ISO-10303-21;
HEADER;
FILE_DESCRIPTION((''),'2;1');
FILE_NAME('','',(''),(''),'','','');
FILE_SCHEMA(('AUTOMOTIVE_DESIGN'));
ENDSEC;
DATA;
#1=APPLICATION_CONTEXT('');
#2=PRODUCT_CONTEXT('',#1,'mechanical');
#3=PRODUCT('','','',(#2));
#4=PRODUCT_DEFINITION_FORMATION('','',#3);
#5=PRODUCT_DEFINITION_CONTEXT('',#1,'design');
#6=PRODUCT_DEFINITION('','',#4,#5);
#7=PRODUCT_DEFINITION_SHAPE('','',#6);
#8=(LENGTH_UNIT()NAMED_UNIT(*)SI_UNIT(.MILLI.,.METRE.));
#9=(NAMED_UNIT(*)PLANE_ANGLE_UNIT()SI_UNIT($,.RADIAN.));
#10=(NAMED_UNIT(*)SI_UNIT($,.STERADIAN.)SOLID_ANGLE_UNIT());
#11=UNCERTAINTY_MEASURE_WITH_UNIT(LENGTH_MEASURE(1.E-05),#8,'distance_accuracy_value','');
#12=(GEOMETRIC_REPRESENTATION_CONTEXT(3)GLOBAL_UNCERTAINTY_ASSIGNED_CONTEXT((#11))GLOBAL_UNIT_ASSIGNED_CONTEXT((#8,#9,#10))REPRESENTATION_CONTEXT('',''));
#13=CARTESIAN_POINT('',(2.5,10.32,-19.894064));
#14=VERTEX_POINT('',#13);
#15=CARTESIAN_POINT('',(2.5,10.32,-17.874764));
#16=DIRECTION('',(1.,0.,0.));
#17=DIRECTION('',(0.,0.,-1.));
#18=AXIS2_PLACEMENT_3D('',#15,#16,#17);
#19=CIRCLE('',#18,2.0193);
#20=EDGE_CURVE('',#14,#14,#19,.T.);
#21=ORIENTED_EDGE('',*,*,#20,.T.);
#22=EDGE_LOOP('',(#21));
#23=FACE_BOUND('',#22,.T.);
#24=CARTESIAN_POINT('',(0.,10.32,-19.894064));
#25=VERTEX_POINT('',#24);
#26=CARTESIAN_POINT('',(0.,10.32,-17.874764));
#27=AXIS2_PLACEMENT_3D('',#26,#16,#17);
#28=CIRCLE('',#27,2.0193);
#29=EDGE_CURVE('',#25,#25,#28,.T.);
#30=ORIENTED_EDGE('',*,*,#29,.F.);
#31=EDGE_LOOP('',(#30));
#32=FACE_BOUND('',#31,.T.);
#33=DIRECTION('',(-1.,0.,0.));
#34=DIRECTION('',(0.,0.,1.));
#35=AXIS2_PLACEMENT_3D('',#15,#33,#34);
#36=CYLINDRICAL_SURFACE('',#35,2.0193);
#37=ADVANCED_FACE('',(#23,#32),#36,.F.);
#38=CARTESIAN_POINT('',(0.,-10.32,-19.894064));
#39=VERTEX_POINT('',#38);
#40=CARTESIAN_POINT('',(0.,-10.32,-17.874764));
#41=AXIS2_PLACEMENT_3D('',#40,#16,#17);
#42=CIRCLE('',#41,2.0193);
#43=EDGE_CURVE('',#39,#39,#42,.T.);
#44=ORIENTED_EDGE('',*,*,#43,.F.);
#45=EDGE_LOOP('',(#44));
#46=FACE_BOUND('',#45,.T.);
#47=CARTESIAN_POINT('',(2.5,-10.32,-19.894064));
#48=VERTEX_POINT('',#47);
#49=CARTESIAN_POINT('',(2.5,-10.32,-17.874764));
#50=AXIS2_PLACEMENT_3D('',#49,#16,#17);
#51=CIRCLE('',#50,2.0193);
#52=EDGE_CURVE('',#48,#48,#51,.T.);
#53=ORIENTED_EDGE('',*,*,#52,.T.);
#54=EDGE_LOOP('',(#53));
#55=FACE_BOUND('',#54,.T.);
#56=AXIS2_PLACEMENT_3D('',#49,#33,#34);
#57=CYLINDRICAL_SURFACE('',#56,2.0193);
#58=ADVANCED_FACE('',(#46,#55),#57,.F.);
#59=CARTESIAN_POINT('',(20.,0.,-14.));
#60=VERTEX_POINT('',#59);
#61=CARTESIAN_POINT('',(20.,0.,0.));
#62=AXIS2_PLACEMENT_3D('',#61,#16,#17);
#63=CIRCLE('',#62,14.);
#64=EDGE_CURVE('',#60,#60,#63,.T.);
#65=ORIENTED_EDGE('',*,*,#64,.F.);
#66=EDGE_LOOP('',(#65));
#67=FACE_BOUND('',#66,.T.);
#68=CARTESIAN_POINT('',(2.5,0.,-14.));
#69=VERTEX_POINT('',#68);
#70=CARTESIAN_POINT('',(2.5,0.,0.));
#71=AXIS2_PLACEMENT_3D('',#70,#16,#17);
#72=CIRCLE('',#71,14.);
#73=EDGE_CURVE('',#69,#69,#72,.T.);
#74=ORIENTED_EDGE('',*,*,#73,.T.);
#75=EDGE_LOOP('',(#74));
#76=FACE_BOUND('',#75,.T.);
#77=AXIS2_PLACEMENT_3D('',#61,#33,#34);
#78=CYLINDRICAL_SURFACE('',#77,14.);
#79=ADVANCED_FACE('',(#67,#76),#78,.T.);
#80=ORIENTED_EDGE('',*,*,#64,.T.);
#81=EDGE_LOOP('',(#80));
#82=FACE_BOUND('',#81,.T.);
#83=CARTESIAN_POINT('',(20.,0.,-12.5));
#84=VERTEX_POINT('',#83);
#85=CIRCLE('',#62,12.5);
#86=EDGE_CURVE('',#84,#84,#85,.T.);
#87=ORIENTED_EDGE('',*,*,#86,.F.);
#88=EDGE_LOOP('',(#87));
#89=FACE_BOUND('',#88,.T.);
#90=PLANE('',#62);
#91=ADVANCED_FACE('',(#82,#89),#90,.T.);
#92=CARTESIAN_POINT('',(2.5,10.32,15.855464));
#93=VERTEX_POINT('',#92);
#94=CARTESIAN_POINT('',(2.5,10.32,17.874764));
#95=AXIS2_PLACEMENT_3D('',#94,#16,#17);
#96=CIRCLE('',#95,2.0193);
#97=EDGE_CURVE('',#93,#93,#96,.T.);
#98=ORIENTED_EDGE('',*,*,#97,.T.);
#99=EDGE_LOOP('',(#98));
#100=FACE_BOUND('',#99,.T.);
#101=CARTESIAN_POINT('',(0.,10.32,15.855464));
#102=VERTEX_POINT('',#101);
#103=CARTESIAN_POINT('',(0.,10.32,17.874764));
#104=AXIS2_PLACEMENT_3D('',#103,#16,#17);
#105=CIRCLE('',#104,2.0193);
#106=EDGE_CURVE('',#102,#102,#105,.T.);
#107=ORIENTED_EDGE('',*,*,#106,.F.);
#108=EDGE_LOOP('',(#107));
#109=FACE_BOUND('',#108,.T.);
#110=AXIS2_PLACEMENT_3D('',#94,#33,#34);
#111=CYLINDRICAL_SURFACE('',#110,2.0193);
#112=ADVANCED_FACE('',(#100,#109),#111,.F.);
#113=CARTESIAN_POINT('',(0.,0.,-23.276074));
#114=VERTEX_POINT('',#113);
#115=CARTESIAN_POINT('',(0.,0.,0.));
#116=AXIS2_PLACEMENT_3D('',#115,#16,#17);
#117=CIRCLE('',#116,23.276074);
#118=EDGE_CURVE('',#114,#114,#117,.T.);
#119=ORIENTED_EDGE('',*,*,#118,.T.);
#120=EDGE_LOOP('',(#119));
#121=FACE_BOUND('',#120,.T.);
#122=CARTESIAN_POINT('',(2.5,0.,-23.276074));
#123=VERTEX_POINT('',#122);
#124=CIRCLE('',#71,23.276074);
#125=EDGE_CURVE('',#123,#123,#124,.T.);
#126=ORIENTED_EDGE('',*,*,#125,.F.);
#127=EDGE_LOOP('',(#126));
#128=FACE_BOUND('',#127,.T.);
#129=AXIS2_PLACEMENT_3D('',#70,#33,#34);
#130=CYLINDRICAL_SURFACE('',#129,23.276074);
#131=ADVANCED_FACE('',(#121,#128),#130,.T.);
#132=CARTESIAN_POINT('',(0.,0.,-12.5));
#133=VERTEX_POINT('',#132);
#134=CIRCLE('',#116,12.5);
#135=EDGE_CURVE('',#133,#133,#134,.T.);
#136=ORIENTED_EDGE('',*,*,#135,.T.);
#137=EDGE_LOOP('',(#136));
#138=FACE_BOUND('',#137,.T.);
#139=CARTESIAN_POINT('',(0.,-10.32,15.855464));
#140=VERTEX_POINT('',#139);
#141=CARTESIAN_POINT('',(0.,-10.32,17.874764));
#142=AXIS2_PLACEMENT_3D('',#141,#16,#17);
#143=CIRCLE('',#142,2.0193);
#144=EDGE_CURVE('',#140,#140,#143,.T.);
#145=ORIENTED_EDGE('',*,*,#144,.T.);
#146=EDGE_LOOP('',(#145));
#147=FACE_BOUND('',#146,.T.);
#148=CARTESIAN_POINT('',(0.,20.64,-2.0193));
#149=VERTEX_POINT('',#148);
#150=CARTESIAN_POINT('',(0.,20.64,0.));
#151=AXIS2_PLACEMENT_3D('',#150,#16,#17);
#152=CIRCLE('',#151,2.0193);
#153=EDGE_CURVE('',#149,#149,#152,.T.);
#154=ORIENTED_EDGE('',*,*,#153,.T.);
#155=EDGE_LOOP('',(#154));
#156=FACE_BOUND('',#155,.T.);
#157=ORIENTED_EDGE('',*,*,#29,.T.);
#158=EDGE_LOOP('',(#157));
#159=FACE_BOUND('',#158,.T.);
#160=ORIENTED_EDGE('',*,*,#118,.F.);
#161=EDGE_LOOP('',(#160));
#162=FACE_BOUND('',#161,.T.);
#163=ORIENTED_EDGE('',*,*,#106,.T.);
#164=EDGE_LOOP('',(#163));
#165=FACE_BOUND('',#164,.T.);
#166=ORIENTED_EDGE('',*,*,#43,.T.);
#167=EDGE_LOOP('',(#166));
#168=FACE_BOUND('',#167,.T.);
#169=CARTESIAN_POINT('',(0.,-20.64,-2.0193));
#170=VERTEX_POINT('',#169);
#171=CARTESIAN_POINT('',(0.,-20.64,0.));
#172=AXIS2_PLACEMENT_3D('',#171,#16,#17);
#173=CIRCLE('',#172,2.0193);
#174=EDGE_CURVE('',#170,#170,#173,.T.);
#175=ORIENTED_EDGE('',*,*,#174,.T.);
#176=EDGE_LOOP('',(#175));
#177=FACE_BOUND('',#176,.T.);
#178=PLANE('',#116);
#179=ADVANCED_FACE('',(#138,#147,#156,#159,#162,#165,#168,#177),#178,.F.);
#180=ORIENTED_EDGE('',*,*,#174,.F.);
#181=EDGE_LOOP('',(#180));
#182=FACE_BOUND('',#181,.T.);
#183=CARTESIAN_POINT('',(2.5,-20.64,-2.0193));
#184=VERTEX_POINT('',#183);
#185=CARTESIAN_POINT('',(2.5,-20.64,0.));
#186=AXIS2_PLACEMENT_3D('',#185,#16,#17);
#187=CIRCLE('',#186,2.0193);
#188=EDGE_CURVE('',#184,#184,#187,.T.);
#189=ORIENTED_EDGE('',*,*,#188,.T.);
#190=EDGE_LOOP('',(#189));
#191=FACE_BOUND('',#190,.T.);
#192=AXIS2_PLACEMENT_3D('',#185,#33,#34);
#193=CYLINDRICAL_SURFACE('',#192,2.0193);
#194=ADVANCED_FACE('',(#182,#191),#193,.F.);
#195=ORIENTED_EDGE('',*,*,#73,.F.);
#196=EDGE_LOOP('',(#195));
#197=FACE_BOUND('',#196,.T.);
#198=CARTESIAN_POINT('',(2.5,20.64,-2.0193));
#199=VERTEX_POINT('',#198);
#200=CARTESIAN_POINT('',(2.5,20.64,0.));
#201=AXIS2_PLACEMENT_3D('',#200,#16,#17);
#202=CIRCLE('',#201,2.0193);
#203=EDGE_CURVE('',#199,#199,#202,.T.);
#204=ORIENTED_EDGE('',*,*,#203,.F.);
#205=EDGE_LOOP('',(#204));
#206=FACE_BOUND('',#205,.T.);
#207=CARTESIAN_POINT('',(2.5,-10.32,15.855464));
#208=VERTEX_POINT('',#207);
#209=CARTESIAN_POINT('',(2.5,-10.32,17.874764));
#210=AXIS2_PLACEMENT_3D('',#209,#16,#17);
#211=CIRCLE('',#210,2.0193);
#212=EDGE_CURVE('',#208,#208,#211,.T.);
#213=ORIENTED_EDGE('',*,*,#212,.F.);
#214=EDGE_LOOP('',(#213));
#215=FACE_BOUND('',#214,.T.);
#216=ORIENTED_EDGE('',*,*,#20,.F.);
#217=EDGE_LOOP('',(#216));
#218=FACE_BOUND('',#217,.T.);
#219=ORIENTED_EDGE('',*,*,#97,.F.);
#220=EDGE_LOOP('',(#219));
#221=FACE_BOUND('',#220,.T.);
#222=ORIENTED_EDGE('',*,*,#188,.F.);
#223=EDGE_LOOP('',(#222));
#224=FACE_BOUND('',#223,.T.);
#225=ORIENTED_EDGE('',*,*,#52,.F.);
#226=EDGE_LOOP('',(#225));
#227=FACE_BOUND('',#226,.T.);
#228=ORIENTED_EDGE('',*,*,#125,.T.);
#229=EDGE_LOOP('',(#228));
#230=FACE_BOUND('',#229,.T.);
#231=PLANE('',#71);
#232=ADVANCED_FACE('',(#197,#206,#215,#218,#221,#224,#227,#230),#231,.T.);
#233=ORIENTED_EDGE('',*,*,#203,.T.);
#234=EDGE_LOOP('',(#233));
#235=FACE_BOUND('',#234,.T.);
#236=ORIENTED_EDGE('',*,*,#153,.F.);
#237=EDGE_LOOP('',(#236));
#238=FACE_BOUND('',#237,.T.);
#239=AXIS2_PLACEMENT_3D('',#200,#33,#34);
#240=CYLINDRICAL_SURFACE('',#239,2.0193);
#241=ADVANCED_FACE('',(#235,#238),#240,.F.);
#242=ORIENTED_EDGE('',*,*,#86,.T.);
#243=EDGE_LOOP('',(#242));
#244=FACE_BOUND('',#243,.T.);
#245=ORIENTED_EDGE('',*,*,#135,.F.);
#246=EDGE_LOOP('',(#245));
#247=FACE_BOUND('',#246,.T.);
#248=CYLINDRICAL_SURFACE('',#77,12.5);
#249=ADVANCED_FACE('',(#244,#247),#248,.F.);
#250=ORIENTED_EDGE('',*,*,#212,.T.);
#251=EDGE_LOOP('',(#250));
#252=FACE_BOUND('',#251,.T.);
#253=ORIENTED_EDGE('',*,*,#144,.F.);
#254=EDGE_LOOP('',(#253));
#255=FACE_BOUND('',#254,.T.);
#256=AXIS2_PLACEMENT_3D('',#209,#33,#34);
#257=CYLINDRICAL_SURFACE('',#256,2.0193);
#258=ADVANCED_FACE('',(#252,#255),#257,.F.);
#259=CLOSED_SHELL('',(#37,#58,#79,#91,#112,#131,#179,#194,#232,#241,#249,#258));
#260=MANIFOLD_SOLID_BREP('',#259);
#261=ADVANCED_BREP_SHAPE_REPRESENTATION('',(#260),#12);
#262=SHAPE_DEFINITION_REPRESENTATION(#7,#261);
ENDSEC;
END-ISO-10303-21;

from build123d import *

# Parameters (mm, degrees)
SKETCH1_R           = 23.276074499
SKETCH1_R_2         = 2.0193
BOSS_EXTRUDE1_DEPTH = 2.5
SKETCH4_R           = 14
CUT_EXTRUDE2_DEPTH  = 30.8125
SKETCH5_R           = 14
SKETCH5_R_2         = 12.5
BOSS_EXTRUDE2_DEPTH = 20


with BuildPart() as part:
    # Sketch1 → Boss-Extrude1 (new body)
    with BuildSketch(Plane(origin=(0, 0, 0), x_dir=(0, 0, -1), z_dir=(1, 0, 0))):
        Circle(SKETCH1_R)
        with Locations((0, 20.64)):
            Circle(SKETCH1_R_2, mode=Mode.SUBTRACT)
        with Locations((17.874764334, 10.32)):
            Circle(SKETCH1_R_2, mode=Mode.SUBTRACT)
        with Locations((17.874764334, -10.32)):
            Circle(SKETCH1_R_2, mode=Mode.SUBTRACT)
        with Locations((0, -20.64)):
            Circle(SKETCH1_R_2, mode=Mode.SUBTRACT)
        with Locations((-17.874764334, -10.32)):
            Circle(SKETCH1_R_2, mode=Mode.SUBTRACT)
        with Locations((-17.874764334, 10.32)):
            Circle(SKETCH1_R_2, mode=Mode.SUBTRACT)
    extrude(amount=BOSS_EXTRUDE1_DEPTH)

    # Sketch4 → Cut-Extrude2 (cut)
    with BuildSketch(Plane.ZY):
        Circle(SKETCH4_R)
    extrude(amount=-CUT_EXTRUDE2_DEPTH, mode=Mode.SUBTRACT)

    # Sketch5 → Boss-Extrude2 (add)
    with BuildSketch(Plane(origin=(0, 0, 0), x_dir=(0, 0, -1), z_dir=(1, 0, 0))):
        Circle(SKETCH5_R)
        Circle(SKETCH5_R_2, mode=Mode.SUBTRACT)
    extrude(amount=BOSS_EXTRUDE2_DEPTH)


solid = part.part
